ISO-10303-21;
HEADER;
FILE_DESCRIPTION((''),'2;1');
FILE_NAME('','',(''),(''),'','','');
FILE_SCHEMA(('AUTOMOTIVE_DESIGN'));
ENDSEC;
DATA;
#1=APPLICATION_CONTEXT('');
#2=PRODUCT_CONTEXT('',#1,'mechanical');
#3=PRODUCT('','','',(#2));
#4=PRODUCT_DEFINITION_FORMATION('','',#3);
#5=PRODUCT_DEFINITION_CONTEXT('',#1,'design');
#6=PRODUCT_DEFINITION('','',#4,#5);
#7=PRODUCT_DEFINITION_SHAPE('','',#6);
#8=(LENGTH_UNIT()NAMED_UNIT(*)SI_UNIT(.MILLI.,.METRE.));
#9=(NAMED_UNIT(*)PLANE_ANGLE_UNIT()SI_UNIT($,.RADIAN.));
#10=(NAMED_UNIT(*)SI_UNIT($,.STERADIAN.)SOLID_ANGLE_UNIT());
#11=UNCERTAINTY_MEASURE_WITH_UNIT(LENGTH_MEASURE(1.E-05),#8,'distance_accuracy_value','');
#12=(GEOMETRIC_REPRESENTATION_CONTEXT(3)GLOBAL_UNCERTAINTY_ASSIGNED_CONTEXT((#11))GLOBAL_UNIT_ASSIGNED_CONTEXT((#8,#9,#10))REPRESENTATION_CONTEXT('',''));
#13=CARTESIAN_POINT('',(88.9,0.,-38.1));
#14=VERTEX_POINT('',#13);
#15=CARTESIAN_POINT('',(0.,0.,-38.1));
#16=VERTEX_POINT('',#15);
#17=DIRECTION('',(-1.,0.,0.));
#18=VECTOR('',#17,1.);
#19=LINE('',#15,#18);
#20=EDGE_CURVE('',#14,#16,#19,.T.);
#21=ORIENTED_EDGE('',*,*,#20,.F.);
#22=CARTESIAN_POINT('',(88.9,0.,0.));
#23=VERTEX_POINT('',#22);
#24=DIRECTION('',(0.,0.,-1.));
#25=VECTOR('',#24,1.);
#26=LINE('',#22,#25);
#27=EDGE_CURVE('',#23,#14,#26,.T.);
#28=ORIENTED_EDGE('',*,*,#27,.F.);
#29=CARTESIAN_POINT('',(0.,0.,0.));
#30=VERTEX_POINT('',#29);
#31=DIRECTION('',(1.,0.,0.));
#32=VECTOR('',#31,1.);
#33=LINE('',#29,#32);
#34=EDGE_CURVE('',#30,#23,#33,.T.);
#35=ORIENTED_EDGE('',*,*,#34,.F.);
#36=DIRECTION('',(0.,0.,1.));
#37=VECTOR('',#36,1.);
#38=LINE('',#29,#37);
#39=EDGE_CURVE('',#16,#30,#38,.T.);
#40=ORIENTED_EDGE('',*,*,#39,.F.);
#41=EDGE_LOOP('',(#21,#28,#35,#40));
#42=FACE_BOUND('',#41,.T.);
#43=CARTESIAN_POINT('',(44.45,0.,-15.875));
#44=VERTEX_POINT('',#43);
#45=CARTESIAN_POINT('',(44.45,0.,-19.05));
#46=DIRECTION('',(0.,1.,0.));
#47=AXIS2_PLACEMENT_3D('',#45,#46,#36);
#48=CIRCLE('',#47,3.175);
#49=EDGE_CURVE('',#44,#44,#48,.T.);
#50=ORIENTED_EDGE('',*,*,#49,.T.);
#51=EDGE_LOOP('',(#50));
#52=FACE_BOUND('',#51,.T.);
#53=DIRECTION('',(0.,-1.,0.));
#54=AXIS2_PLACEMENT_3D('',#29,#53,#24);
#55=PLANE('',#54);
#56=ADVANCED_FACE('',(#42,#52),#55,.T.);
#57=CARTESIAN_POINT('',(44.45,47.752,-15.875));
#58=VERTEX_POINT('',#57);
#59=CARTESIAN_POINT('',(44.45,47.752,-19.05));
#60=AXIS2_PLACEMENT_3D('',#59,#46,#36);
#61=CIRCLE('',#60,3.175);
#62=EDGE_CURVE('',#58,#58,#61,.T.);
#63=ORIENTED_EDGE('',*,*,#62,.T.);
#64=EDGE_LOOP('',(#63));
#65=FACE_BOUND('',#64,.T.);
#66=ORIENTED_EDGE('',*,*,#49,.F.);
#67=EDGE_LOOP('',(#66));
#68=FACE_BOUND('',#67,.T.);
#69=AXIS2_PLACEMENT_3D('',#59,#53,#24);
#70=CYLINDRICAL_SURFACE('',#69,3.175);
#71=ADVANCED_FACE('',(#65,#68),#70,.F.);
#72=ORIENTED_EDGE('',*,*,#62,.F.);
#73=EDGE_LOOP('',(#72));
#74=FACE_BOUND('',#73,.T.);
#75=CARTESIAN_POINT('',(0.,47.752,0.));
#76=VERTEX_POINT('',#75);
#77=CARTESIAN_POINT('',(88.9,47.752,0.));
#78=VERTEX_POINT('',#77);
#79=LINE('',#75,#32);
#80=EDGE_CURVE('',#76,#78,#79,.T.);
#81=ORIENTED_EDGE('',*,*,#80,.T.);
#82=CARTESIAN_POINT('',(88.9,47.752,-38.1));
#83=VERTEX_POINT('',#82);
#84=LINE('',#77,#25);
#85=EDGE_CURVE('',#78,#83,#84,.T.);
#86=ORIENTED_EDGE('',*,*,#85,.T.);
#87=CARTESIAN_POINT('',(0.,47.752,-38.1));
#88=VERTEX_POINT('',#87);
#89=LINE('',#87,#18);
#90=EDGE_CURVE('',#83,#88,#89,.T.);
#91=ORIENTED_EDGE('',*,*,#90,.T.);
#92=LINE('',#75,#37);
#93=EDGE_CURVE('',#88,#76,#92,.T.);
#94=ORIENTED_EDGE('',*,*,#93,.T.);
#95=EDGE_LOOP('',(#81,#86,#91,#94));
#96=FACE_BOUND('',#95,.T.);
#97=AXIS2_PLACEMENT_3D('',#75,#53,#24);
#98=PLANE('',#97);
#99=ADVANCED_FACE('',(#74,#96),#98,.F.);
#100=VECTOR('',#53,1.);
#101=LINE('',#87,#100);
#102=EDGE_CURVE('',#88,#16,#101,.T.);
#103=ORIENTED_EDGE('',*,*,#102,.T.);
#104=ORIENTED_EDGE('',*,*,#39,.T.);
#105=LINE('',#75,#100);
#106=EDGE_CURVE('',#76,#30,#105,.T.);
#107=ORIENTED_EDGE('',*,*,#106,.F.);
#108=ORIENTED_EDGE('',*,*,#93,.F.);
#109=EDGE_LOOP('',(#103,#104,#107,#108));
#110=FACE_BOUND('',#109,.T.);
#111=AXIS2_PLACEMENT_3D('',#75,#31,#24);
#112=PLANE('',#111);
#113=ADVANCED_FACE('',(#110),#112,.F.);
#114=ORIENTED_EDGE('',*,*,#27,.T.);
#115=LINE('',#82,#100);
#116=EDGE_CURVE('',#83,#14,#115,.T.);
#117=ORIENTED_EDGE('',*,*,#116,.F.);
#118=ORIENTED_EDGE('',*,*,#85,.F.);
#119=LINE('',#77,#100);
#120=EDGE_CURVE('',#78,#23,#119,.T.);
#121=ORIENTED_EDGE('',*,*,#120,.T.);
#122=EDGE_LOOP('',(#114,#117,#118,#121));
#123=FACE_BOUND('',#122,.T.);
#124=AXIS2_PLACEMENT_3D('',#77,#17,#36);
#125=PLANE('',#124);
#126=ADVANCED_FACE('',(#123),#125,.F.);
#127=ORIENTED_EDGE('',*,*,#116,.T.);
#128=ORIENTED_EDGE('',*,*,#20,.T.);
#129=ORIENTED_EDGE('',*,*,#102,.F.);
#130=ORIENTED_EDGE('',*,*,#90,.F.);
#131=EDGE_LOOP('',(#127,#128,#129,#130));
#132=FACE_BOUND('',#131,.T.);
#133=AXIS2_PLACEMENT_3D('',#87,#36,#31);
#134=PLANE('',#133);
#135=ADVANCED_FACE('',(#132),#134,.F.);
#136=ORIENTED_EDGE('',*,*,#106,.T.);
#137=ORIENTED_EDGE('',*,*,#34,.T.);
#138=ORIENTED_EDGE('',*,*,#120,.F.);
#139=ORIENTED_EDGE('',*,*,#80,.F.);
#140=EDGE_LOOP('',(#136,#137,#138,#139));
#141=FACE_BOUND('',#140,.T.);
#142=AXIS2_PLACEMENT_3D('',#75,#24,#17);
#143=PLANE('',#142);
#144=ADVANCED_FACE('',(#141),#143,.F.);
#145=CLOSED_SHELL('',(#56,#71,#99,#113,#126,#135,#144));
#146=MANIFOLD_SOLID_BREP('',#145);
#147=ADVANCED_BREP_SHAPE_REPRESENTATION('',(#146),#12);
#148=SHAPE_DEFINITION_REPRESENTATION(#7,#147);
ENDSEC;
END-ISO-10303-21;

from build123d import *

# Parameters (mm, degrees)
SKETCH1_W           = 88.9
SKETCH1_H           = 38.1
SKETCH1_R           = 3.175
BOSS_EXTRUDE1_DEPTH = 47.752


with BuildPart() as part:
    # Sketch1 → Boss-Extrude1 (new body)
    with BuildSketch(Plane(origin=(0, 0, 0), x_dir=(1, 0, 0), z_dir=(0, 1, 0))):
        with Locations((44.45, 19.05)):
            Rectangle(SKETCH1_W, SKETCH1_H)
        with Locations(Location((44.45, 19.05, 0), (0, 0, 270))):
            Circle(SKETCH1_R, mode=Mode.SUBTRACT)
    extrude(amount=BOSS_EXTRUDE1_DEPTH)


solid = part.part
